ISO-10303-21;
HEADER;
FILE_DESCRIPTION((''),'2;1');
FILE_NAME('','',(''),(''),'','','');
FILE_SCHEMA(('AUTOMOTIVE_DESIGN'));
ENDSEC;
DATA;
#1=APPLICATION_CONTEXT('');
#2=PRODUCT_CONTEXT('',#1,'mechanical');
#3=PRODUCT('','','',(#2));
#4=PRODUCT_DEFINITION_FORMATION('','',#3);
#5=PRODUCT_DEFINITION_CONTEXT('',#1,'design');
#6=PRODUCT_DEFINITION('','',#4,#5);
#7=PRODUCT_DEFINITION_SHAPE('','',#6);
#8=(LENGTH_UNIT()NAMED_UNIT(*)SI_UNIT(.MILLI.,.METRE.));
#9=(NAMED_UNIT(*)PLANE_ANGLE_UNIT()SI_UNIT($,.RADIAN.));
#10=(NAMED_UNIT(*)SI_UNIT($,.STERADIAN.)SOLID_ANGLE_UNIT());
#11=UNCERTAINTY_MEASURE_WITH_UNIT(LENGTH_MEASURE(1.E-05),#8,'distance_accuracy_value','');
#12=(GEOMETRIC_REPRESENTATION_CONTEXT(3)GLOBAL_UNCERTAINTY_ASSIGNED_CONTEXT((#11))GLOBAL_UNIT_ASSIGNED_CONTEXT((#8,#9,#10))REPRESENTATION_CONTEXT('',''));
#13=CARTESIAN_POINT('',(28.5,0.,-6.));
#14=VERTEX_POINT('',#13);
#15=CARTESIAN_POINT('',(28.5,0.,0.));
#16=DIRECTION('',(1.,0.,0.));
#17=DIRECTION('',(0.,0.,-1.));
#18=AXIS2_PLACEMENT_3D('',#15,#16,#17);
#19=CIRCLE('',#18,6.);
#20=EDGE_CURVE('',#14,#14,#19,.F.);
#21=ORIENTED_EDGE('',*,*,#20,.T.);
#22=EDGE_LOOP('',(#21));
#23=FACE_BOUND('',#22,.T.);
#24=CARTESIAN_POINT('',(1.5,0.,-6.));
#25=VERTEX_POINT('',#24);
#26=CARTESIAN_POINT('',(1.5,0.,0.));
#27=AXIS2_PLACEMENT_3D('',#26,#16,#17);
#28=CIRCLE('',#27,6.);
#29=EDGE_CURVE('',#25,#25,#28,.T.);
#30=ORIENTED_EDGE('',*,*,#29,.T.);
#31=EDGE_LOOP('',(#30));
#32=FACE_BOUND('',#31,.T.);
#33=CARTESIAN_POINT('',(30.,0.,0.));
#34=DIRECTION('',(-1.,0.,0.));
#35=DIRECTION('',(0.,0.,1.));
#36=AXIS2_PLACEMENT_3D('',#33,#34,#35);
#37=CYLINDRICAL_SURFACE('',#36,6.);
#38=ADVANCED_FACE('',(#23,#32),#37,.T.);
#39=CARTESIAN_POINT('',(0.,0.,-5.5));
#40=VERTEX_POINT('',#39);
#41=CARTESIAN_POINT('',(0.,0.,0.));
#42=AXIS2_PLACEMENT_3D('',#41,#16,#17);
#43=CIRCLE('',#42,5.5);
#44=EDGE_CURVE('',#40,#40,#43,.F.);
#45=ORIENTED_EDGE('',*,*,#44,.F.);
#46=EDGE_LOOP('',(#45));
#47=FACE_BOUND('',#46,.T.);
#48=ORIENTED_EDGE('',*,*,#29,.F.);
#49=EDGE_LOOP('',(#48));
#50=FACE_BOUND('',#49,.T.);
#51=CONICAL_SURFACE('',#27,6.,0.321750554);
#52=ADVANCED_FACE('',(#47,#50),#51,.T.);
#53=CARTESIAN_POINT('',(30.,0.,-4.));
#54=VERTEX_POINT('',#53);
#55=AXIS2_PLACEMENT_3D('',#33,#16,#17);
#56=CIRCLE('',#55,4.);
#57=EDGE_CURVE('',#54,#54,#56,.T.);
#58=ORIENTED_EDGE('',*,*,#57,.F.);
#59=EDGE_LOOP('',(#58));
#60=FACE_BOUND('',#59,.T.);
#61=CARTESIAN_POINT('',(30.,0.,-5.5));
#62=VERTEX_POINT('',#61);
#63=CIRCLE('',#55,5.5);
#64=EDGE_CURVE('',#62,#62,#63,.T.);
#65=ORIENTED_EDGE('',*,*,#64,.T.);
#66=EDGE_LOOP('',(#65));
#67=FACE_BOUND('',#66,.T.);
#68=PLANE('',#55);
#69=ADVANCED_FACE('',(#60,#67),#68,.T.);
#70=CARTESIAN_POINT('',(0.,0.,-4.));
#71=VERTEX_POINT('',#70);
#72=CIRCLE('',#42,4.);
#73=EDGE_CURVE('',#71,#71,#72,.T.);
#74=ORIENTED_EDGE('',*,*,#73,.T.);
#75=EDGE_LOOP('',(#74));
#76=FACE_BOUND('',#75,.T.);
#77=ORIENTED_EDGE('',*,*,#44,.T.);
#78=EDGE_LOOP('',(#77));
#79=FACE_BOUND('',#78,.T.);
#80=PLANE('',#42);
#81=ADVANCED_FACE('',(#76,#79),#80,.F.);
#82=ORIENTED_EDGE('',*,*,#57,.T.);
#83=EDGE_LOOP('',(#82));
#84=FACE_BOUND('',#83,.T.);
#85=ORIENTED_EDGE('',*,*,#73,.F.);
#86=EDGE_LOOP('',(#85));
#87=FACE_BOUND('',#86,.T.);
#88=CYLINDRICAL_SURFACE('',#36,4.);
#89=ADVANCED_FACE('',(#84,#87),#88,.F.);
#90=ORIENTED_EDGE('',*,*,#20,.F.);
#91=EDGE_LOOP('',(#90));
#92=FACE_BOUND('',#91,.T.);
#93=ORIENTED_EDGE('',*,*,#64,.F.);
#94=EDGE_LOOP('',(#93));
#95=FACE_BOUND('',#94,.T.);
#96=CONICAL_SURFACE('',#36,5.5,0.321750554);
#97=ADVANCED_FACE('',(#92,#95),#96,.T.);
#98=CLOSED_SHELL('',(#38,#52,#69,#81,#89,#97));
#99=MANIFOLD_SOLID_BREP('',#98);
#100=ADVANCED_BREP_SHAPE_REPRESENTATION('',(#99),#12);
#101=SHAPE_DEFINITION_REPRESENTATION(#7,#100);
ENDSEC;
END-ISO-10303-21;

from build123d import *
from OCP.BRepFilletAPI import BRepFilletAPI_MakeChamfer

# Parameters (mm, degrees)
SKETCH1_R           = 6
SKETCH1_R_2         = 4
BOSS_EXTRUDE1_DEPTH = 30
CHAMFER2_SIZE       = 0.5
CHAMFER2_SIZE2      = 1.5


with BuildPart() as part:
    # Sketch1 → Boss-Extrude1 (new body)
    with BuildSketch(Plane(origin=(0, 0, 0), x_dir=(0, 0, -1), z_dir=(1, 0, 0))):
        Circle(SKETCH1_R)
        Circle(SKETCH1_R_2, mode=Mode.SUBTRACT)
    extrude(amount=BOSS_EXTRUDE1_DEPTH)

    # Chamfer2: one chamfer whose edges measure the first distance from different faces: ONE call of the kernel's chamfer builder (chamfer() names one face for all edges)
    chamfer2_edges_1 = [part.edges().sort_by_distance(p)[0] for p in [
        (0, 0, 6),
    ]]
    chamfer2_side_1 = [part.faces().sort_by_distance(p)[0] for p in [
        (0, 0, 5.830294373),
    ]]
    chamfer2_edges_2 = [part.edges().sort_by_distance(p)[0] for p in [
        (30, 0, 6),
    ]]
    chamfer2_side_2 = [part.faces().sort_by_distance(p)[0] for p in [
        (30, 0, 5.830294373),
    ]]
    chamfer2 = BRepFilletAPI_MakeChamfer(part.part.solid().wrapped)
    for e in chamfer2_edges_1:
        chamfer2.Add(CHAMFER2_SIZE, CHAMFER2_SIZE2, e.wrapped, chamfer2_side_1[0].wrapped)  # the first distance lies on this face
    for e in chamfer2_edges_2:
        chamfer2.Add(CHAMFER2_SIZE, CHAMFER2_SIZE2, e.wrapped, chamfer2_side_2[0].wrapped)  # the first distance lies on this face
    add(Compound.cast(chamfer2.Shape()), mode=Mode.REPLACE)


solid = part.part
